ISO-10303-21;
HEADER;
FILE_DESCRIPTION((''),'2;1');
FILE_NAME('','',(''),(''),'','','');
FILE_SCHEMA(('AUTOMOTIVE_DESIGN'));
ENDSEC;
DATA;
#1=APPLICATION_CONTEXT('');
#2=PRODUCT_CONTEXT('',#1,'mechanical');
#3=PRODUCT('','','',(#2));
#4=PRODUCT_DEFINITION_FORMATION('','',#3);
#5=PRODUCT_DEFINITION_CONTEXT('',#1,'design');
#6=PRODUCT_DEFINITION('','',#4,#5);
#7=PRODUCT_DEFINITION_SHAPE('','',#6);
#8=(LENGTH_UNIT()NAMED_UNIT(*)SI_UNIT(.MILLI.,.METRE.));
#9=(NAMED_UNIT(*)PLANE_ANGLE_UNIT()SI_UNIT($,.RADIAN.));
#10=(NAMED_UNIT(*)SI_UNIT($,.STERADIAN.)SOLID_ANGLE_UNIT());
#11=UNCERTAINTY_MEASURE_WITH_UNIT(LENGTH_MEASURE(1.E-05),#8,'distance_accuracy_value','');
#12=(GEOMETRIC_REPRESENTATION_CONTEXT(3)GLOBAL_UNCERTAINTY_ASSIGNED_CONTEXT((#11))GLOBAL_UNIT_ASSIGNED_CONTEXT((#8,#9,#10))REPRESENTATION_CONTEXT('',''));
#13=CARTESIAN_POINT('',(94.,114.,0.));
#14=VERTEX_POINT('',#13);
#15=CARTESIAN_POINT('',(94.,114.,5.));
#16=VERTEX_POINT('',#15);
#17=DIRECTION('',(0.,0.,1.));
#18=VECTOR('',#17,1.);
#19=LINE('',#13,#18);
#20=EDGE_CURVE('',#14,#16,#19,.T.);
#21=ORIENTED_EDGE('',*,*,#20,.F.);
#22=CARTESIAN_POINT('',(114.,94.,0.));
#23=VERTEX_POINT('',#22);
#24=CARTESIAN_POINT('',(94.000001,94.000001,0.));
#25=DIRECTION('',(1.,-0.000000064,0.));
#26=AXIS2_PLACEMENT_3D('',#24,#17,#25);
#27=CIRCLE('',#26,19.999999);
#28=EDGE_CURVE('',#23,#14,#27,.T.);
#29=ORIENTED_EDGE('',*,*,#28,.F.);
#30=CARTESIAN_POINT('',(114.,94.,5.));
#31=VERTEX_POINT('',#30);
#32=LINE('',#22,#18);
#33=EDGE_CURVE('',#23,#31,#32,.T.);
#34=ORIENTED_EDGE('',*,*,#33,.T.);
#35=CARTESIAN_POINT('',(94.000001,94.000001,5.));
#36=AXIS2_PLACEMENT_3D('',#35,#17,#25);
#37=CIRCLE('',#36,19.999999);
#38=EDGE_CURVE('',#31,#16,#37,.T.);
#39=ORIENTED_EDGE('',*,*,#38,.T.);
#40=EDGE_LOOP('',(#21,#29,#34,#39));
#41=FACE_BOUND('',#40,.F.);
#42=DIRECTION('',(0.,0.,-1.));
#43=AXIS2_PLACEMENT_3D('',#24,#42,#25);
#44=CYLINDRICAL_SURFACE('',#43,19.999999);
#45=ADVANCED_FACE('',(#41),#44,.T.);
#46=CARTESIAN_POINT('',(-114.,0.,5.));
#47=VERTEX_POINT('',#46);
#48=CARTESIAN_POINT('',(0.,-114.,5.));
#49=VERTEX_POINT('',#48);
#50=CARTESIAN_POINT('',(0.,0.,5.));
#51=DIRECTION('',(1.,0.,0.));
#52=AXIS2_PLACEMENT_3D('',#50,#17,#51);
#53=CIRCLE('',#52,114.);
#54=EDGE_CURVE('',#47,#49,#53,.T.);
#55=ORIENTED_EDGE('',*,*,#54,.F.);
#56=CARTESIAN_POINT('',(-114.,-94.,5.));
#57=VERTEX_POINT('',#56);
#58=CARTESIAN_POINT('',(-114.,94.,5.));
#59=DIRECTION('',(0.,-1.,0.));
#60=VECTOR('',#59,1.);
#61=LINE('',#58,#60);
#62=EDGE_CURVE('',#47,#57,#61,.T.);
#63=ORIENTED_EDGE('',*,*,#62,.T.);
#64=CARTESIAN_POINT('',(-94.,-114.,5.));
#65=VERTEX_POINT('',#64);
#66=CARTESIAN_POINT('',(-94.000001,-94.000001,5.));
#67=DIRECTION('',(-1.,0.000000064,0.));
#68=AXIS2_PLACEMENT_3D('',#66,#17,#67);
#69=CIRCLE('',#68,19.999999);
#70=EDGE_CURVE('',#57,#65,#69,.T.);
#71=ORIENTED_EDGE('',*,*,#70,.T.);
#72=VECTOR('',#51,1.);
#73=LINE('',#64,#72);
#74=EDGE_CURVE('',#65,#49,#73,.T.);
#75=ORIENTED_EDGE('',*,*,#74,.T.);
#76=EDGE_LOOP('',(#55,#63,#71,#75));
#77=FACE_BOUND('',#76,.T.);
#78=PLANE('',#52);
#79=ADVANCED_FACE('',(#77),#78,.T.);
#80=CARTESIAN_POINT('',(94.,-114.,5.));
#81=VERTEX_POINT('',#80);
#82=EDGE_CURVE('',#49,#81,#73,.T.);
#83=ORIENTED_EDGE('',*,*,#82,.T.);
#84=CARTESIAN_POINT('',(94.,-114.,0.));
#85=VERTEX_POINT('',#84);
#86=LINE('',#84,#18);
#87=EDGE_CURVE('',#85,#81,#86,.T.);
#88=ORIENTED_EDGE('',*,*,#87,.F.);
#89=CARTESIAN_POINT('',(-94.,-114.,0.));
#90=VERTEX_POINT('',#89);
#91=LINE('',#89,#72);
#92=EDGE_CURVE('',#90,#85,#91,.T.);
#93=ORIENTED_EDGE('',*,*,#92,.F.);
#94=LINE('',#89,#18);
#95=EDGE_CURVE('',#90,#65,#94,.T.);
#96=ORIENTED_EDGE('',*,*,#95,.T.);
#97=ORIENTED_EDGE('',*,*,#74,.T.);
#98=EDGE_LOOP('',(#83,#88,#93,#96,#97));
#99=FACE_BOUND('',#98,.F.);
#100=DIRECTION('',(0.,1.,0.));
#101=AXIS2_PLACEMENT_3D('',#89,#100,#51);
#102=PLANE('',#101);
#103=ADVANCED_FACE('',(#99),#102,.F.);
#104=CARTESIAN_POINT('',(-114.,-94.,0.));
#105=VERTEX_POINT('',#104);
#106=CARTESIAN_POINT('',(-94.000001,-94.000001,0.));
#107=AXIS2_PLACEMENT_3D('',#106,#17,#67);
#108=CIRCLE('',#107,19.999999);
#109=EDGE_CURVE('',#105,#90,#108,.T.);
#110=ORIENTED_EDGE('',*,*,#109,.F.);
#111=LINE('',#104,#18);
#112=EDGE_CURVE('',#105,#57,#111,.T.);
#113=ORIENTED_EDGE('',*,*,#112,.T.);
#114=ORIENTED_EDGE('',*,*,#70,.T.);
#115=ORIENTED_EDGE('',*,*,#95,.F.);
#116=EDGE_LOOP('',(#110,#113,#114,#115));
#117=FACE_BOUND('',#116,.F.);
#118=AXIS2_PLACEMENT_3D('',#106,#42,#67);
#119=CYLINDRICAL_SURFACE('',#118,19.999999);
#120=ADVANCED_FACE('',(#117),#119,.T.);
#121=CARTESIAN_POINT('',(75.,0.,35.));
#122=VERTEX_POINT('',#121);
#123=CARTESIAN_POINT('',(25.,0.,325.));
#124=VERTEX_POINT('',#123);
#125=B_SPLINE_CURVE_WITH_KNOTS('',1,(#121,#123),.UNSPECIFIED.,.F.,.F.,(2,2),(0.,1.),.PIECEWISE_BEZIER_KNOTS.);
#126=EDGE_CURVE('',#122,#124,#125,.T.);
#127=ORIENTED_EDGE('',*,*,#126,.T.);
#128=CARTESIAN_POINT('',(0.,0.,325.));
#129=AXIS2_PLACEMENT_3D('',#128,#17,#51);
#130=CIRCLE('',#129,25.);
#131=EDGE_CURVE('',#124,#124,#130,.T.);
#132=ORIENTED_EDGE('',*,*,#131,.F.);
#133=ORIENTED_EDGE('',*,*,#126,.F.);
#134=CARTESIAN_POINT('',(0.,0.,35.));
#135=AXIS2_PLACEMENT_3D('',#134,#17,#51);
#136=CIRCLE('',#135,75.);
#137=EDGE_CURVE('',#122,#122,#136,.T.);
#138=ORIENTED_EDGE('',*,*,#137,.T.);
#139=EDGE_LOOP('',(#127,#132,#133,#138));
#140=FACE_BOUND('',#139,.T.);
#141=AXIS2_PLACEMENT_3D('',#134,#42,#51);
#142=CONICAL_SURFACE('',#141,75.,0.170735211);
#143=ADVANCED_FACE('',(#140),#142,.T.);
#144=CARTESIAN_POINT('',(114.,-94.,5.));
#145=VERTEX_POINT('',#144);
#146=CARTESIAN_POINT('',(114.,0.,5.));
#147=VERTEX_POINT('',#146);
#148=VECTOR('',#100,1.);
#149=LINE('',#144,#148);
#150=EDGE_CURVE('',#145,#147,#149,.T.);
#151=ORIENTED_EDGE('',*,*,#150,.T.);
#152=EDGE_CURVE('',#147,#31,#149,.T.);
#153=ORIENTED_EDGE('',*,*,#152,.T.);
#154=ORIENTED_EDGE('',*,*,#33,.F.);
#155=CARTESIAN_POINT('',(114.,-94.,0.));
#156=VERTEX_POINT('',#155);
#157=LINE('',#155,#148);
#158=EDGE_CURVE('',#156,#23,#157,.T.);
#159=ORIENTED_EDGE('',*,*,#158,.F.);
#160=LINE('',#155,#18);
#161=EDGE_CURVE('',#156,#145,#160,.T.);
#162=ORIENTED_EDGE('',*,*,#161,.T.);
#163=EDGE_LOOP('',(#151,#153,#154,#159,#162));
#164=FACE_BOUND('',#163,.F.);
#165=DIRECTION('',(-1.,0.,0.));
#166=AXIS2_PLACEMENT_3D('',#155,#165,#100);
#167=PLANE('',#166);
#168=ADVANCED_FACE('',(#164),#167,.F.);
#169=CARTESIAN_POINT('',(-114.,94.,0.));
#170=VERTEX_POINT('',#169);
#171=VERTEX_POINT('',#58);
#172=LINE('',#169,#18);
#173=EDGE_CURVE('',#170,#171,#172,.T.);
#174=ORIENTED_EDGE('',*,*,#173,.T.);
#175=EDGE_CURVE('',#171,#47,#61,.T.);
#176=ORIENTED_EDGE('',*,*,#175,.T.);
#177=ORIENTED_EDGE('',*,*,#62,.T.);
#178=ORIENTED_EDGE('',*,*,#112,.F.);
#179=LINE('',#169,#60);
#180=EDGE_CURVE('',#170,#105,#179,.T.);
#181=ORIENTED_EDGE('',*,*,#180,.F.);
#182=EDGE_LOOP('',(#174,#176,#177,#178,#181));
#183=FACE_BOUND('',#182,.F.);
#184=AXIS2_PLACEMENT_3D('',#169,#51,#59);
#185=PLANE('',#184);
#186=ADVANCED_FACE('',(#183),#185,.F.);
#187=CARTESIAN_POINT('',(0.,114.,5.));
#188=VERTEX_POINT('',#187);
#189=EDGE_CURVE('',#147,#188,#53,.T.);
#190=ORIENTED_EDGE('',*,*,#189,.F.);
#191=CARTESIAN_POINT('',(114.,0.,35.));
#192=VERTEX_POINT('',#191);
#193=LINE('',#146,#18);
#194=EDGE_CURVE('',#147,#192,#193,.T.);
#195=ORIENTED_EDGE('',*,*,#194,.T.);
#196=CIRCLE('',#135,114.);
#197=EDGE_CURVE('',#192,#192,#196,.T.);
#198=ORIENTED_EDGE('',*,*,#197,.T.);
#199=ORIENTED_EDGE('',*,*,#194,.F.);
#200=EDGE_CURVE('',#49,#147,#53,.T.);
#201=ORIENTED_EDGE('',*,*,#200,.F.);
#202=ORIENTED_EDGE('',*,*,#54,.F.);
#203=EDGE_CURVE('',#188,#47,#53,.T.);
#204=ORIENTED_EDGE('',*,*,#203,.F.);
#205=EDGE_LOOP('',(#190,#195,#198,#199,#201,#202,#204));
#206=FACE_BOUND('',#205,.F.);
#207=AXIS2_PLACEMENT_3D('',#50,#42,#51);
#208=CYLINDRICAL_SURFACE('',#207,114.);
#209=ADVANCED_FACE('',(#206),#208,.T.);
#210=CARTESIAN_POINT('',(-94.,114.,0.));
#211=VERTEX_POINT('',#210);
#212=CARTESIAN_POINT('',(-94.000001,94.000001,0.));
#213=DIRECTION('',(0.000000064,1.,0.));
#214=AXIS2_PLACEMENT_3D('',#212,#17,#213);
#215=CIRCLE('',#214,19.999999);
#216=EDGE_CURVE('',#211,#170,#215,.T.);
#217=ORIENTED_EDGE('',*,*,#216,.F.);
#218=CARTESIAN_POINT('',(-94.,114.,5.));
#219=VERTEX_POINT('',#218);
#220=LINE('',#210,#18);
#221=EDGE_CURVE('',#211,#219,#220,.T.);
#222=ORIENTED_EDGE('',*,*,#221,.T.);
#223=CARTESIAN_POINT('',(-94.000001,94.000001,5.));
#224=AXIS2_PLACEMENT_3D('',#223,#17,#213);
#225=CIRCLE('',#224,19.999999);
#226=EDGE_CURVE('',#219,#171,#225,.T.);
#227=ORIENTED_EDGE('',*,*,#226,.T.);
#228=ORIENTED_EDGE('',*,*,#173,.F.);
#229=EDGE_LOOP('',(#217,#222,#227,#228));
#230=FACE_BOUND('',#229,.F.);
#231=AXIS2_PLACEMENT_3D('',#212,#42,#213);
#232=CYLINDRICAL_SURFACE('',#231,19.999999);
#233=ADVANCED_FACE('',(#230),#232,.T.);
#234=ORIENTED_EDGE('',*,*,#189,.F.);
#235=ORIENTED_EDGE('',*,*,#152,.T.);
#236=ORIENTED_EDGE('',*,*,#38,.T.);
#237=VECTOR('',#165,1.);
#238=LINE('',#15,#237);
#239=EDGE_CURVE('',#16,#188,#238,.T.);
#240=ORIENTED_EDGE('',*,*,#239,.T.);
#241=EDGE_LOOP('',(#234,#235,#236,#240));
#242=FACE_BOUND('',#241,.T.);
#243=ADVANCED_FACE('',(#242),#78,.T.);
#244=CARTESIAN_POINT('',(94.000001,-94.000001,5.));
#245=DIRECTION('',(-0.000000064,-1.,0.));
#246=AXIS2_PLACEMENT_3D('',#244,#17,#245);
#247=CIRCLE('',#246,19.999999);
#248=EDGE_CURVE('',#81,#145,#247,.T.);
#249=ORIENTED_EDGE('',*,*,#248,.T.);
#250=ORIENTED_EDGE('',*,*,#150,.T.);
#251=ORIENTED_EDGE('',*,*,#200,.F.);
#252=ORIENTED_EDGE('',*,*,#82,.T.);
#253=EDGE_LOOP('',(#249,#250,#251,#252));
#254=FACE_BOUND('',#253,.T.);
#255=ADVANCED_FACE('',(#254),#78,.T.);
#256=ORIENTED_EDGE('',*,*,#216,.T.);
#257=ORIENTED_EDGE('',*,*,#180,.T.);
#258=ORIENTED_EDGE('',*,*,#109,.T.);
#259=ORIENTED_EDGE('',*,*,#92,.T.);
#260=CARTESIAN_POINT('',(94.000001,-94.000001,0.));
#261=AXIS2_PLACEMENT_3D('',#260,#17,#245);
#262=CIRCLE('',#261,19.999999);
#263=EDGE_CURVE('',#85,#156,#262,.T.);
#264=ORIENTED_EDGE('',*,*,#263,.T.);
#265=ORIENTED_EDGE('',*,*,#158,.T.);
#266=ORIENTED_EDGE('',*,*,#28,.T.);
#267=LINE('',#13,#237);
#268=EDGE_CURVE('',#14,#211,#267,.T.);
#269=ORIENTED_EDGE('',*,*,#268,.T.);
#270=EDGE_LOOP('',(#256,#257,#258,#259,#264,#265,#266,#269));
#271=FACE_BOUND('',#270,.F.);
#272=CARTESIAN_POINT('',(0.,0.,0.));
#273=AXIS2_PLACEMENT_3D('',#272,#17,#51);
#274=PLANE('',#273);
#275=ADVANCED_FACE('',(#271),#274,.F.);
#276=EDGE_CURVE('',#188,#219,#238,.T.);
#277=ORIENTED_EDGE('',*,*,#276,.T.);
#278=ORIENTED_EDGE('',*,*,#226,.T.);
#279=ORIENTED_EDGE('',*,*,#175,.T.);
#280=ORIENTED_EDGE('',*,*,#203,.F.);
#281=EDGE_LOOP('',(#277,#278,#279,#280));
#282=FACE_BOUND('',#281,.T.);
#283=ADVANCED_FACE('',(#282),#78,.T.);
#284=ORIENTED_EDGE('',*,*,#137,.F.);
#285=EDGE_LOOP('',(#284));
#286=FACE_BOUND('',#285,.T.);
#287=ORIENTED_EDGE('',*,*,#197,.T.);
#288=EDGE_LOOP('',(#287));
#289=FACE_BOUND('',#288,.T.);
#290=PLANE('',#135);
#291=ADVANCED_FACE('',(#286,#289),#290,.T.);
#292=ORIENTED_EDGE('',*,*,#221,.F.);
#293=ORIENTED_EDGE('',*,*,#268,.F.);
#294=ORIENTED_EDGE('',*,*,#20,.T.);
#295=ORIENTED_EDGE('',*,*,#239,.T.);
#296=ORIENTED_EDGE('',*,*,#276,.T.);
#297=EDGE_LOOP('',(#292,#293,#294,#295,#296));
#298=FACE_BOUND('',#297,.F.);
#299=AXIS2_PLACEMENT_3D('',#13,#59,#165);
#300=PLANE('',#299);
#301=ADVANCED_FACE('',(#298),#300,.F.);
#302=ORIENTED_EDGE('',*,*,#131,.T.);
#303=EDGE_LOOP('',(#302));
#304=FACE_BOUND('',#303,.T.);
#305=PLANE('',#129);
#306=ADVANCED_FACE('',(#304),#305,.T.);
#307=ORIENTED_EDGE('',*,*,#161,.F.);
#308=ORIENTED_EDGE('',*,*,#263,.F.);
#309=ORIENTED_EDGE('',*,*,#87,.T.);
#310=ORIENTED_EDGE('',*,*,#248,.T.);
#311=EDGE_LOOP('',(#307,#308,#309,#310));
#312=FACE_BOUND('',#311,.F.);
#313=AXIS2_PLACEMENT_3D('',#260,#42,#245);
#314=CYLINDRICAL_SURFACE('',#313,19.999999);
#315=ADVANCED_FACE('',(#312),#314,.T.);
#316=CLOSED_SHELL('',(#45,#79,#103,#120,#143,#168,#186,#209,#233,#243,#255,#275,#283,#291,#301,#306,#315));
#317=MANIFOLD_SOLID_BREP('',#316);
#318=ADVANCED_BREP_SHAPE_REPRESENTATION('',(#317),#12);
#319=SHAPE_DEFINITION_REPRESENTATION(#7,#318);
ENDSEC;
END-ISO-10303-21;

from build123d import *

# Parameters (mm, degrees)
PAD_DEPTH    = 5
SKETCH001_R  = 114
PAD001_DEPTH = 30
SKETCH002_R  = 75
SKETCH003_R  = 25


with BuildPart() as part:
    # Sketch → Pad (new body)
    with BuildSketch(Plane.XY):
        with BuildLine():
            Line((-94, -114), (94, -114))
            ThreePointArc((94, -114), (108.142136, -108.142136), (114, -94))
            Line((114, -94), (114, 94))
            ThreePointArc((114, 94), (108.142136, 108.142136), (94, 114))
            Line((94, 114), (-94, 114))
            ThreePointArc((-94, 114), (-108.142136, 108.142136), (-114, 94))
            Line((-114, 94), (-114, -94))
            ThreePointArc((-114, -94), (-108.142136, -108.142136), (-94, -114))
        make_face()
    extrude(amount=PAD_DEPTH)

    # Sketch001 (on Face10 of Pad) → Pad001 (join)
    with BuildSketch(Plane.XY.offset(5)):
        Circle(SKETCH001_R)
    extrude(amount=PAD001_DEPTH)

    # Sketch002 (on Face15 of Pad001) → AdditiveLoft section 0
    with BuildSketch(Plane.XY.offset(35)):
        Circle(SKETCH002_R)
    # Sketch003 (on DatumPlane) → AdditiveLoft section 1
    with BuildSketch(Plane.XY.offset(325)):
        Circle(SKETCH003_R)
    loft()


solid = part.part
